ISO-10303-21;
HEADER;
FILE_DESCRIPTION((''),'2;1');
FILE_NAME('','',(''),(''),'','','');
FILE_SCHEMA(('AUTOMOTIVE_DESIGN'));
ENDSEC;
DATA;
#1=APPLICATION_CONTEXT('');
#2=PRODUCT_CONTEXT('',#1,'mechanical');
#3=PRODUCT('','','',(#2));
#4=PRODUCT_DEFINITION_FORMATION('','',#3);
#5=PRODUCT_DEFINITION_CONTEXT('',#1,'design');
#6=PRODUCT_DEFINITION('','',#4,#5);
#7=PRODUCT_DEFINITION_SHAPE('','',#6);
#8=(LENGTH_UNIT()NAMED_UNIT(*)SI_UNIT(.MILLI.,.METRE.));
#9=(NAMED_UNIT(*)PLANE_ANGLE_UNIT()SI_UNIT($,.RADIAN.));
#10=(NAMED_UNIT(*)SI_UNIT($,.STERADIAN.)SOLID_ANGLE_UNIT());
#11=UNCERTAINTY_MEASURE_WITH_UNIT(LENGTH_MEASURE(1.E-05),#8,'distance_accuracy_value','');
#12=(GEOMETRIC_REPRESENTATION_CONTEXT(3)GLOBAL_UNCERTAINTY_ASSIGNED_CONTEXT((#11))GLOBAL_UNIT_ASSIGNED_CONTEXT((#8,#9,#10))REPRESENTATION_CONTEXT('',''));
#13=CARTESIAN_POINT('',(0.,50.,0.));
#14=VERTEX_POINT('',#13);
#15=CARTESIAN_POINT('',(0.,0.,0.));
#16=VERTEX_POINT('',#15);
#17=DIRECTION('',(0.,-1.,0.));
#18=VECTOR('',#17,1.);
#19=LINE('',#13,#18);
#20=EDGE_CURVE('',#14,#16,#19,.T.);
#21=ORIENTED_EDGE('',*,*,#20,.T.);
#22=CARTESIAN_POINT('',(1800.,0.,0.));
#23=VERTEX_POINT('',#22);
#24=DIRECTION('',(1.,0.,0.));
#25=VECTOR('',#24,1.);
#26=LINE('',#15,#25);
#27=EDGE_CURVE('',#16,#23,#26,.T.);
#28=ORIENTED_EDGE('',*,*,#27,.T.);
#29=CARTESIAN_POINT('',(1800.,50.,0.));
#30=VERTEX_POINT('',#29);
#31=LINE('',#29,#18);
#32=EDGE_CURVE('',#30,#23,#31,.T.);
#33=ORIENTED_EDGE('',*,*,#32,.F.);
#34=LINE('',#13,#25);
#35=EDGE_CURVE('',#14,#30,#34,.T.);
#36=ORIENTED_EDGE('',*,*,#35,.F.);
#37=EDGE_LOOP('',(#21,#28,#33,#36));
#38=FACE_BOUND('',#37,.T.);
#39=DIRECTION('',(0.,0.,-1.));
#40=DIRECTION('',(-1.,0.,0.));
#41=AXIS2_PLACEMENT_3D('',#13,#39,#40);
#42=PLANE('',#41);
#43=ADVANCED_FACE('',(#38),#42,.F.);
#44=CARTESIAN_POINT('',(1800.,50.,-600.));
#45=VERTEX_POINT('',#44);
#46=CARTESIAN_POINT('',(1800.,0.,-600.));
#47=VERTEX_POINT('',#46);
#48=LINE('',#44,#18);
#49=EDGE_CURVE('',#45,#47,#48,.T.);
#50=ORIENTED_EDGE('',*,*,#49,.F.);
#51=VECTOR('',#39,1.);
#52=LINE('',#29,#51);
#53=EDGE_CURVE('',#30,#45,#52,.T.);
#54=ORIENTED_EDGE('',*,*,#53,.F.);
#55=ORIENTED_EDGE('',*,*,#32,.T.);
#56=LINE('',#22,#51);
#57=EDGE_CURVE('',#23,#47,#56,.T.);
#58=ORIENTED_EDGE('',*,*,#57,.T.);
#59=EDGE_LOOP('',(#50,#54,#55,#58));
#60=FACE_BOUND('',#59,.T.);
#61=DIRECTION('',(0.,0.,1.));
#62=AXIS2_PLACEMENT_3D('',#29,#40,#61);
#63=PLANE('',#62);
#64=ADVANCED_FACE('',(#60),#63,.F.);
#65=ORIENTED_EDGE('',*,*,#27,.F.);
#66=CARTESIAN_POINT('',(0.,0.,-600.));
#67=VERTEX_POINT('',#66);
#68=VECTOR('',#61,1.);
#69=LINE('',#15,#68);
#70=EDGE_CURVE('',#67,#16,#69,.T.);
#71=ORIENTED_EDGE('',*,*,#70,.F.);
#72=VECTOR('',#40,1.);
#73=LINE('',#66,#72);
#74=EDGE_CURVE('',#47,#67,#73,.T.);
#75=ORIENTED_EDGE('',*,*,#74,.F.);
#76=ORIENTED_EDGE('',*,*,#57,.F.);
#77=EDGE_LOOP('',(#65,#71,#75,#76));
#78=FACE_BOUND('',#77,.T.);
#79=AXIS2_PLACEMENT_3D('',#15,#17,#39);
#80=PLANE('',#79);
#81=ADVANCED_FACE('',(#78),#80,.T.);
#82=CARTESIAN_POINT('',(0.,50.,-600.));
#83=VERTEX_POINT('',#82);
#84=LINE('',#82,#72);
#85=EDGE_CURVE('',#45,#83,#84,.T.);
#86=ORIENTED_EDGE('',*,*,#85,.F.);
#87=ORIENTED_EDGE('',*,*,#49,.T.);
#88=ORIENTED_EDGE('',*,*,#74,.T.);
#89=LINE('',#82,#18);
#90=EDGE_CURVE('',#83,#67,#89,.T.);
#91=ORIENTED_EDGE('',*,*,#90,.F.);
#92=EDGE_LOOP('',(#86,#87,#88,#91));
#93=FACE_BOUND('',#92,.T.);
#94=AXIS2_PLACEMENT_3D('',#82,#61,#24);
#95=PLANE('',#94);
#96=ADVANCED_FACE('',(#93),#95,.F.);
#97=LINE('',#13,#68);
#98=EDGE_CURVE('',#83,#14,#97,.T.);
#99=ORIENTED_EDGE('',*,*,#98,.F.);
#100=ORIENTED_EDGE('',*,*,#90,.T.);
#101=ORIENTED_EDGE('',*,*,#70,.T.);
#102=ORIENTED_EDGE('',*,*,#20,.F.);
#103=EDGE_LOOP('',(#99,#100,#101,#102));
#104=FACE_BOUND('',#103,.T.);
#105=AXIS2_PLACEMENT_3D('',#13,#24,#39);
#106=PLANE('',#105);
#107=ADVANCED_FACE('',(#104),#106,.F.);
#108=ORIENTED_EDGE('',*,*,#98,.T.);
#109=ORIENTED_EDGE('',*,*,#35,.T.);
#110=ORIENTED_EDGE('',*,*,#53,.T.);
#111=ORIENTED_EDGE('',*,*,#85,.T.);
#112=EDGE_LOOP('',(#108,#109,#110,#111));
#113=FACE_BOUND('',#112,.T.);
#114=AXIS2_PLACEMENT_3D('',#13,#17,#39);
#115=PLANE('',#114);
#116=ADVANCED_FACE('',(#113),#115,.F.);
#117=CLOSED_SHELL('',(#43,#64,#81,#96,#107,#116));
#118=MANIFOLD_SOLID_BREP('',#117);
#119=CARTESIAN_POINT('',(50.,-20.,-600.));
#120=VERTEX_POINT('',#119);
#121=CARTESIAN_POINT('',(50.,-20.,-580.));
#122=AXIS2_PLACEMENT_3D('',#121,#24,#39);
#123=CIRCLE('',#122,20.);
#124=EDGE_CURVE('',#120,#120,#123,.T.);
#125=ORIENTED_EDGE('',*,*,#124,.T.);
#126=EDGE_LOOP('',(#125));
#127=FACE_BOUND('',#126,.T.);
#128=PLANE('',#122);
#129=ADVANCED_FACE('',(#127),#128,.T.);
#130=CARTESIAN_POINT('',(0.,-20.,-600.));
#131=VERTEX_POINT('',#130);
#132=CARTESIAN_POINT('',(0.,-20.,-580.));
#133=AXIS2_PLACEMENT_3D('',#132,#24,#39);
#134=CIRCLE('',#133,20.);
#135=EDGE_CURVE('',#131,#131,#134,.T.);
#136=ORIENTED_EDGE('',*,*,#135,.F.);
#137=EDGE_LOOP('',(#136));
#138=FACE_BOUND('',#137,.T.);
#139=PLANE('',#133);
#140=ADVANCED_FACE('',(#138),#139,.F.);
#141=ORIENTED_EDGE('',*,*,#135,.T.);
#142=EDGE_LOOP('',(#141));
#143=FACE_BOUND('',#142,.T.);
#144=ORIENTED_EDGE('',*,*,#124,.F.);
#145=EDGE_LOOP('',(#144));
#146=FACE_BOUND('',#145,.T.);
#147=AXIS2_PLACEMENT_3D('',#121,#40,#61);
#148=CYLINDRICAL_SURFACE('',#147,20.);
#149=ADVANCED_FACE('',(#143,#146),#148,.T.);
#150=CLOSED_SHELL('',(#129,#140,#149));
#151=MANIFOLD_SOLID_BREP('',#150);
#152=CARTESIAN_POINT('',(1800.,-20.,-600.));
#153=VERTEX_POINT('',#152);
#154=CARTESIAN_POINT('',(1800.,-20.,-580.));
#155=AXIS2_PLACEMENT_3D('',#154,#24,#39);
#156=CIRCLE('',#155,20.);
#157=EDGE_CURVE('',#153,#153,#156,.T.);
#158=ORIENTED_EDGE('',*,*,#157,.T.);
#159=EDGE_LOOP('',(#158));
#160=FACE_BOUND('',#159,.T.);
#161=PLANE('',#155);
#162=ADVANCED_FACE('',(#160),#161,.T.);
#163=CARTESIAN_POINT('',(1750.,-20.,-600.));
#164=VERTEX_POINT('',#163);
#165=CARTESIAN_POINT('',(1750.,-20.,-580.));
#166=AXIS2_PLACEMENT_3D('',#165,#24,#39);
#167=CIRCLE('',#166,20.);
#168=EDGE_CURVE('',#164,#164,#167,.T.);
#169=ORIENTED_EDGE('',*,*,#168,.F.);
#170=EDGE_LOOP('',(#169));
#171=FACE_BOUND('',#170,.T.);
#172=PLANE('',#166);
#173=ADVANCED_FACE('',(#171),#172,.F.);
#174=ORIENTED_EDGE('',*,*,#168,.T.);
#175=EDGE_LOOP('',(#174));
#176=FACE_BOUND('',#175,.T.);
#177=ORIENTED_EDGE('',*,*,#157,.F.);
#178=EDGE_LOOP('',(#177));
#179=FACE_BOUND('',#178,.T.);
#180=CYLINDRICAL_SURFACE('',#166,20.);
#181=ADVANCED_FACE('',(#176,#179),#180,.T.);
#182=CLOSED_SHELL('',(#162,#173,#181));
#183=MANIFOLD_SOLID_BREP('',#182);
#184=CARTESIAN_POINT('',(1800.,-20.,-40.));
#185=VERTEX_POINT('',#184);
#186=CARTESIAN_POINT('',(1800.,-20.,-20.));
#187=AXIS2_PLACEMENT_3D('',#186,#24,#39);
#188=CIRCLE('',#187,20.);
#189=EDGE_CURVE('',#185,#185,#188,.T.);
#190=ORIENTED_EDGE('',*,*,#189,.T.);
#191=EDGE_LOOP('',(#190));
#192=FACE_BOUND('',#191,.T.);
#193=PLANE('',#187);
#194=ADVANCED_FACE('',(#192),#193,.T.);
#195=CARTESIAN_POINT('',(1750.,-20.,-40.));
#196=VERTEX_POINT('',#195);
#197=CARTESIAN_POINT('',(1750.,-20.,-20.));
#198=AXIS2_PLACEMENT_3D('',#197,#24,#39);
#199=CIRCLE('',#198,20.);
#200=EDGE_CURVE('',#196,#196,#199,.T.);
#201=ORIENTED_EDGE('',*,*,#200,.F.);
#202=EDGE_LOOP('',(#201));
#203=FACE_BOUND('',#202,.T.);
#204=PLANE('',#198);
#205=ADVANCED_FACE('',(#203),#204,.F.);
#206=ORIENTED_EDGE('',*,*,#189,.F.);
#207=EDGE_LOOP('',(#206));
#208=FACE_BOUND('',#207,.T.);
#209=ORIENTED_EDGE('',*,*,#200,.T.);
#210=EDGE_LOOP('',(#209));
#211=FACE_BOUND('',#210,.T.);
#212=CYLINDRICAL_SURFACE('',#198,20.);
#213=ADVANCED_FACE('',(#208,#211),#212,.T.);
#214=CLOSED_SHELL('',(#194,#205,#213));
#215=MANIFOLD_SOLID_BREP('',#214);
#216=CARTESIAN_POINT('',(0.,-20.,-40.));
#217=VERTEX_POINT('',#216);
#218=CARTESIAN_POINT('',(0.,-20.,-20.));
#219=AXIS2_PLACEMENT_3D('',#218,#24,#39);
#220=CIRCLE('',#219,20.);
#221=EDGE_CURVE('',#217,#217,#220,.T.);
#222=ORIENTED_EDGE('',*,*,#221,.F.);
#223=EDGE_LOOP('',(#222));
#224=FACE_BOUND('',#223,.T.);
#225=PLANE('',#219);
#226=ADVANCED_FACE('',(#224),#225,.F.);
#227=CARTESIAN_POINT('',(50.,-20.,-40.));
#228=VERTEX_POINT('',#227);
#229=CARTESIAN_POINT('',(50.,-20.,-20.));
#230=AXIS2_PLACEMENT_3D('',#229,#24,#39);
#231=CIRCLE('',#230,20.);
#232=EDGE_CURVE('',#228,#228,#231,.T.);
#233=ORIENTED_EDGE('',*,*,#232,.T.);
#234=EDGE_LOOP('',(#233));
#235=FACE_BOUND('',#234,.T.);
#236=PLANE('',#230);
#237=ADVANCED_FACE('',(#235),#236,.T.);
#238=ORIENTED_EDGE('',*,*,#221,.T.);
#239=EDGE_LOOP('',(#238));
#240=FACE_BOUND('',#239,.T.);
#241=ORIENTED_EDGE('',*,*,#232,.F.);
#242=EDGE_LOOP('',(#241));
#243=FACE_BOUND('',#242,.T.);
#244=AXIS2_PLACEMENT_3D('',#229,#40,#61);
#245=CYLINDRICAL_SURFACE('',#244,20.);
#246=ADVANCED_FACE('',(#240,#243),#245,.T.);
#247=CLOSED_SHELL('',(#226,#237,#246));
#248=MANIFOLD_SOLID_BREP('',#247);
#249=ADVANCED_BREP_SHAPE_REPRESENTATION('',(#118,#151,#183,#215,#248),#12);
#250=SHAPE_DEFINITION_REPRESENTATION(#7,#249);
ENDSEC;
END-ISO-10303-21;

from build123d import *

# Parameters (mm, degrees)
SKETCH_5_W        = 1800
SKETCH_5_H        = 600
EXTRUDE_4_DEPTH   = 50
SKETCH_6_R        = 20
EXTRUDE_5_DEPTH   = 50
EXTRUDE_5_2_DEPTH = 50
SKETCH_7_R        = 20
EXTRUDE_6_DEPTH   = 50
EXTRUDE_6_2_DEPTH = 50


with BuildPart() as part:
    # 草图5 → 凸台-拉伸4 (new body)
    with BuildSketch(Plane(origin=(0, 0, 0), x_dir=(1, 0, 0), z_dir=(0, 1, 0))):
        with Locations((900, 300)):
            Rectangle(SKETCH_5_W, SKETCH_5_H)
    extrude(amount=EXTRUDE_4_DEPTH)


with BuildPart() as body_2:
    # 草图6 → 凸台-拉伸5 (new body)
    with BuildSketch(Plane(origin=(0, 0, 0), x_dir=(0, 0, -1), z_dir=(1, 0, 0))):
        with Locations((20, -20)):
            Circle(SKETCH_6_R)
    extrude(amount=EXTRUDE_5_DEPTH)


with BuildPart() as body_3:
    # 草图6 → Extrude 5 2 (new body)
    with BuildSketch(Plane(origin=(0, 0, 0), x_dir=(0, 0, -1), z_dir=(1, 0, 0))):
        with Locations((580, -20)):
            Circle(SKETCH_6_R)
    extrude(amount=EXTRUDE_5_2_DEPTH)


with BuildPart() as body_4:
    # 草图7 → 凸台-拉伸6 (new body)
    with BuildSketch(Plane(origin=(1800, 0, 0), x_dir=(0, 0, -1), z_dir=(1, 0, 0))):
        with Locations((20, -20)):
            Circle(SKETCH_7_R)
    extrude(amount=-EXTRUDE_6_DEPTH)


with BuildPart() as body_5:
    # 草图7 → Extrude 6 2 (new body)
    with BuildSketch(Plane(origin=(1800, 0, 0), x_dir=(0, 0, -1), z_dir=(1, 0, 0))):
        with Locations((580, -20)):
            Circle(SKETCH_7_R)
    extrude(amount=-EXTRUDE_6_2_DEPTH)


solid = Compound([part.part, body_2.part, body_3.part, body_4.part, body_5.part])
